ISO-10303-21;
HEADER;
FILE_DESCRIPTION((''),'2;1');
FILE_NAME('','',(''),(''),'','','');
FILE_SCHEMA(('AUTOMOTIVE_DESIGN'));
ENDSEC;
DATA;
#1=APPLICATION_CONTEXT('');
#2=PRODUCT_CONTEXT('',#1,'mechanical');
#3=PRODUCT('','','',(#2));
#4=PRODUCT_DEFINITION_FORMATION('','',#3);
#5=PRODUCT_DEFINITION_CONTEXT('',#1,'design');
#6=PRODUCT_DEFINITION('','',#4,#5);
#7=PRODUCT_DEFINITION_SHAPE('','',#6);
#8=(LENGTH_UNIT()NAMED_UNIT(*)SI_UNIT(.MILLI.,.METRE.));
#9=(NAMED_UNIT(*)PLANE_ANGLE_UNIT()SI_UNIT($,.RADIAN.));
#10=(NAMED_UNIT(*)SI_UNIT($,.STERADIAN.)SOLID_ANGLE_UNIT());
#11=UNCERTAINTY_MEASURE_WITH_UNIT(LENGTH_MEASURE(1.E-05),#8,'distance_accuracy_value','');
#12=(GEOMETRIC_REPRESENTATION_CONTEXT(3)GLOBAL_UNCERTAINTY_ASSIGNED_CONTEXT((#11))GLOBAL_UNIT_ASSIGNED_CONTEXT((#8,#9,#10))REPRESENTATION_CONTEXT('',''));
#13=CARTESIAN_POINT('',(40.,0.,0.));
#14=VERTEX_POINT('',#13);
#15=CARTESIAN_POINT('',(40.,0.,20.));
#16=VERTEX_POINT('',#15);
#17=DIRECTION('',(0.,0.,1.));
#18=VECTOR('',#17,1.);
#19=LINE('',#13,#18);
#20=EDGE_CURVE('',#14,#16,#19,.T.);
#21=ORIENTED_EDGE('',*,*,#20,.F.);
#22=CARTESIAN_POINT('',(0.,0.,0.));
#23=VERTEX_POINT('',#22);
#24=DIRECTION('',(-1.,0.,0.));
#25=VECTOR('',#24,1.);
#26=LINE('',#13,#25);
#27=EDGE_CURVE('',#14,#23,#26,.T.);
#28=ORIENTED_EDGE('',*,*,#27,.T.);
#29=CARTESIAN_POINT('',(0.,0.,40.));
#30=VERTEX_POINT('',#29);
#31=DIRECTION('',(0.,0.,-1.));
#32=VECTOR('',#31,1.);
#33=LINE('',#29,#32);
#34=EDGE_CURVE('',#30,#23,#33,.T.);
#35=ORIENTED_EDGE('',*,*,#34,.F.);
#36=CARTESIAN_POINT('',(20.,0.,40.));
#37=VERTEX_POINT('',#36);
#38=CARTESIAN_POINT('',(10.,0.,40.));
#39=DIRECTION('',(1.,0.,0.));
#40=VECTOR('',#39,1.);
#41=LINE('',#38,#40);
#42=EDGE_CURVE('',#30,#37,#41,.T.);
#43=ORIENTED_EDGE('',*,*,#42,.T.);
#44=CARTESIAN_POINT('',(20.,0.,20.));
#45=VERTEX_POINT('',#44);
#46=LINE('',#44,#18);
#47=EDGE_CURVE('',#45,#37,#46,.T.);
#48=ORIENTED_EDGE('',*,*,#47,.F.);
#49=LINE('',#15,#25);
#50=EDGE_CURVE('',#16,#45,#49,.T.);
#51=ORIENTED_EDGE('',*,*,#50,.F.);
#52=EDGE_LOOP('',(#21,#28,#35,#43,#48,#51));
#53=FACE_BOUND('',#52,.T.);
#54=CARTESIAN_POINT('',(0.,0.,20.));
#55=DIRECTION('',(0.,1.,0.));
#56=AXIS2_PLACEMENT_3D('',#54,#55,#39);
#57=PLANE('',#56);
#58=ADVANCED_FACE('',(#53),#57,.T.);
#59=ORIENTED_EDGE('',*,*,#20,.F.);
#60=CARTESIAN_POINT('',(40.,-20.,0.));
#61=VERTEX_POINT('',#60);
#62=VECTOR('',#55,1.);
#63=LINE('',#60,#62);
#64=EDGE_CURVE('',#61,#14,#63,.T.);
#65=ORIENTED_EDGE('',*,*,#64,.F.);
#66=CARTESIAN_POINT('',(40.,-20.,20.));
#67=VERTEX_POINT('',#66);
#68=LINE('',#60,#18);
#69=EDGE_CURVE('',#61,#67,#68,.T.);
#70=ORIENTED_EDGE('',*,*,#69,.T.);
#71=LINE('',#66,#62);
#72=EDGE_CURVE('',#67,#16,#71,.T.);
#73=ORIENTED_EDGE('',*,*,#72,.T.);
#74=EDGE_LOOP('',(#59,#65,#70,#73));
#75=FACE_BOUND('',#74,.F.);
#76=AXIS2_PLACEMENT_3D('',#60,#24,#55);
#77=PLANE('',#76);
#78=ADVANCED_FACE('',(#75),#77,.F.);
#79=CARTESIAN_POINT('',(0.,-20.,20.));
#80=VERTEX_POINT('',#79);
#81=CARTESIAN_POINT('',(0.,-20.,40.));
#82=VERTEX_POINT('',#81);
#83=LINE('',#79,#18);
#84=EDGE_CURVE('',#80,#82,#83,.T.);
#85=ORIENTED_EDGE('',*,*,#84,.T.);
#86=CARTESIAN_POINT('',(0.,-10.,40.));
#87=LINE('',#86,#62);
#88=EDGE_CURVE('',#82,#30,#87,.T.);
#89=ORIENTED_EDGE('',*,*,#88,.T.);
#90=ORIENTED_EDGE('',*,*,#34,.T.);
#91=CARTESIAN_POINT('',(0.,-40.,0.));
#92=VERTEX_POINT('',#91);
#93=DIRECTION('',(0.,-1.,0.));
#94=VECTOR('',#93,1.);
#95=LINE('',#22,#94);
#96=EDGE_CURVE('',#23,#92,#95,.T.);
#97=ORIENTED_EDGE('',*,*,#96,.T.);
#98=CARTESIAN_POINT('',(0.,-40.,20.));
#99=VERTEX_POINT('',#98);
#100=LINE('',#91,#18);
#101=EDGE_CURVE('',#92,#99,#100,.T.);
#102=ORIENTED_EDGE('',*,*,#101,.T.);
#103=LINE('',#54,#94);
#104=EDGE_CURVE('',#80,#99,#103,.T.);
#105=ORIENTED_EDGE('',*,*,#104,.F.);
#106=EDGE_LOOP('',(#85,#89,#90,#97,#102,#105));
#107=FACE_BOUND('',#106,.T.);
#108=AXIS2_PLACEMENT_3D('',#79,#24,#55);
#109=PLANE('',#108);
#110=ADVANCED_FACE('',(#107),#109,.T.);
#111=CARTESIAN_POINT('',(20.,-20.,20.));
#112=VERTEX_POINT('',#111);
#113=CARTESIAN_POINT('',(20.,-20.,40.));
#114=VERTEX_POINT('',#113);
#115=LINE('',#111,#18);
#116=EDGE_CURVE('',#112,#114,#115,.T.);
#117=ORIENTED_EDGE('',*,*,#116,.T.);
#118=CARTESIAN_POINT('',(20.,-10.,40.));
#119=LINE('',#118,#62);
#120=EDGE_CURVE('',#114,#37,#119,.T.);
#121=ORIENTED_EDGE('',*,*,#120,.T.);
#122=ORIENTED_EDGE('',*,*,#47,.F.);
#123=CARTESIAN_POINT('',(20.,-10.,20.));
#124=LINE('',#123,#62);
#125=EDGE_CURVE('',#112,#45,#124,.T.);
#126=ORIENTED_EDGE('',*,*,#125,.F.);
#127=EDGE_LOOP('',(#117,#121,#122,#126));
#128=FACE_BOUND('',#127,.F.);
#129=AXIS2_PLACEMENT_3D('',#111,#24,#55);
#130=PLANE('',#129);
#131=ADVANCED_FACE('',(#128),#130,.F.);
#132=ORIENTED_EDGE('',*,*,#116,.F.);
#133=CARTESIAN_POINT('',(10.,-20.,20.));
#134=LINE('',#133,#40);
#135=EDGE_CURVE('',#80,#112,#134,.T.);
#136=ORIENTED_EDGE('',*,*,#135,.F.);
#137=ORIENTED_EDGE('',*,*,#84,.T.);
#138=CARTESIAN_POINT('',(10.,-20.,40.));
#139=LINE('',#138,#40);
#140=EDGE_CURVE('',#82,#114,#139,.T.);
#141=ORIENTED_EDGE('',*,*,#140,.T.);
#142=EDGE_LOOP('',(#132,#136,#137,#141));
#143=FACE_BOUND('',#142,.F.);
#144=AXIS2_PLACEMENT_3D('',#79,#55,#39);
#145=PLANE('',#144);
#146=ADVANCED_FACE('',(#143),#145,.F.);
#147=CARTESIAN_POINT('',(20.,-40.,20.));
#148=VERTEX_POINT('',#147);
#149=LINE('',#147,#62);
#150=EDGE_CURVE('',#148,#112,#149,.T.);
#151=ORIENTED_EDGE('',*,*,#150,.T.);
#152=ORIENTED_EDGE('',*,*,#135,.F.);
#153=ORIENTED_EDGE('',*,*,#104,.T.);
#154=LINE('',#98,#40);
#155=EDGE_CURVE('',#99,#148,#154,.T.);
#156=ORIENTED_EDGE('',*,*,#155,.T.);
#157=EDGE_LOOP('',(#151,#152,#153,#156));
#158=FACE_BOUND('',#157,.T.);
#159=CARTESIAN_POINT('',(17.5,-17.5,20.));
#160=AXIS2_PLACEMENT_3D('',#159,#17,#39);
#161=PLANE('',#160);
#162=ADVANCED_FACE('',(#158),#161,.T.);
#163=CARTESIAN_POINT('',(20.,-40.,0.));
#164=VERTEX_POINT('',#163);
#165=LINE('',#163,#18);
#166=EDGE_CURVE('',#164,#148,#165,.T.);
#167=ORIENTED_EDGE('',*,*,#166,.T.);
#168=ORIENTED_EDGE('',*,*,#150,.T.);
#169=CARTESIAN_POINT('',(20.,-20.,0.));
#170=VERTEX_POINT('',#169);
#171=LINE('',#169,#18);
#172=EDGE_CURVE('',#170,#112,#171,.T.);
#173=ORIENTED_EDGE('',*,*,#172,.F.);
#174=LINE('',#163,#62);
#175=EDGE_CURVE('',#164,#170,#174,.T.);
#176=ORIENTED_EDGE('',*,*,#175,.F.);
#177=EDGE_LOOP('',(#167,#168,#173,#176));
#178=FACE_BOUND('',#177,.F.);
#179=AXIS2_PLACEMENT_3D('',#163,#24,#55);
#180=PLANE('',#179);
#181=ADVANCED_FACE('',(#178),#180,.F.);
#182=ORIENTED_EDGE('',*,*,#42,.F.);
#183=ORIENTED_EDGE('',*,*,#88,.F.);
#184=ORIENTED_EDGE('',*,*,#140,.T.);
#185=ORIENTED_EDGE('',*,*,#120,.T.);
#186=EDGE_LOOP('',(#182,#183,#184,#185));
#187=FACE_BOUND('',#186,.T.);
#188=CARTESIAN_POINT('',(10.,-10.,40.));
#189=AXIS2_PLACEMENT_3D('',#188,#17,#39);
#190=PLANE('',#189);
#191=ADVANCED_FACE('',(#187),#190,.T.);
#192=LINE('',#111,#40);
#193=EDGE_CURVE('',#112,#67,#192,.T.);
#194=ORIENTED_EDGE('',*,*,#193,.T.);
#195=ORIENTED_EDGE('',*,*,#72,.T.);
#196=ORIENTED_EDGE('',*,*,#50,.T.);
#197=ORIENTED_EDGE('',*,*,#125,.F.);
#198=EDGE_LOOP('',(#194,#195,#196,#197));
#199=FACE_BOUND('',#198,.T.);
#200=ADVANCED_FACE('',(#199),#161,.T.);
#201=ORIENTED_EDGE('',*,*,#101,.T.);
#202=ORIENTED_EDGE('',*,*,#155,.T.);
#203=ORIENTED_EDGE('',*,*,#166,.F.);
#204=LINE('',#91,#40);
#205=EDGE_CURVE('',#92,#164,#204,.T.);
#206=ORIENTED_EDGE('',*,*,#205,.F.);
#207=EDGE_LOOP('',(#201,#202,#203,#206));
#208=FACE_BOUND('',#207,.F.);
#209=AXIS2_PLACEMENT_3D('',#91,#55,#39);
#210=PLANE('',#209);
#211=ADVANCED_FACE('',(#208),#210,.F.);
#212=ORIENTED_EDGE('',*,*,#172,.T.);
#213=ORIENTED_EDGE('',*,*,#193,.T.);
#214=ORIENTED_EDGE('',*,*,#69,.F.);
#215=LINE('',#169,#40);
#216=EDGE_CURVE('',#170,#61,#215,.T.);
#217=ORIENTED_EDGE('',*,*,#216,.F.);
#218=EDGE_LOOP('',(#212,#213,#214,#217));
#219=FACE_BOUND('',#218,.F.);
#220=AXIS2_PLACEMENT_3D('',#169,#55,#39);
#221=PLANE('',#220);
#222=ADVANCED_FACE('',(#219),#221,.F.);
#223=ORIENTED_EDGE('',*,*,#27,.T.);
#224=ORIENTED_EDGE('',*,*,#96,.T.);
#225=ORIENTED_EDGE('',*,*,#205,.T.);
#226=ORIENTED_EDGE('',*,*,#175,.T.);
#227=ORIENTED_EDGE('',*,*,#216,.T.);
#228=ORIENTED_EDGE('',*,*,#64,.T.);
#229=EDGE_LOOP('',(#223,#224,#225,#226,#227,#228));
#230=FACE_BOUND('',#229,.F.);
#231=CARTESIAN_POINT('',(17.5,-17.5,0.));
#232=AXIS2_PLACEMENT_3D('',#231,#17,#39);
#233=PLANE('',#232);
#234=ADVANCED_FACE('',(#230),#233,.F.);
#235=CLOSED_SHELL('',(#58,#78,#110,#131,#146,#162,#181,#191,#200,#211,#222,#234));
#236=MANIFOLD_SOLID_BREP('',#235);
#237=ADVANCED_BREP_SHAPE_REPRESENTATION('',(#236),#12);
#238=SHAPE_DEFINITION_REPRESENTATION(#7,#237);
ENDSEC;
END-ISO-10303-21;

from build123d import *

# Parameters (mm, degrees)
F1_DEPTH = 20
F2_W     = 20
F2_H     = 20
F3_DEPTH = 20


with BuildPart() as f1:
    # F0 (on Top) → F1 (new body)
    with BuildSketch(Plane.XY):
        Polygon((40, 0), (0, 0), (0, -20), (0, -40), (20, -40), (20, -20), (40, -20), align=None)
    extrude(amount=F1_DEPTH)

    # F2 (on face) → F3 (join)
    with BuildSketch(Plane.XY.offset(20)):
        with Locations((10, -10)):
            Rectangle(F2_W, F2_H)
    extrude(amount=F3_DEPTH)


solid = f1.part
